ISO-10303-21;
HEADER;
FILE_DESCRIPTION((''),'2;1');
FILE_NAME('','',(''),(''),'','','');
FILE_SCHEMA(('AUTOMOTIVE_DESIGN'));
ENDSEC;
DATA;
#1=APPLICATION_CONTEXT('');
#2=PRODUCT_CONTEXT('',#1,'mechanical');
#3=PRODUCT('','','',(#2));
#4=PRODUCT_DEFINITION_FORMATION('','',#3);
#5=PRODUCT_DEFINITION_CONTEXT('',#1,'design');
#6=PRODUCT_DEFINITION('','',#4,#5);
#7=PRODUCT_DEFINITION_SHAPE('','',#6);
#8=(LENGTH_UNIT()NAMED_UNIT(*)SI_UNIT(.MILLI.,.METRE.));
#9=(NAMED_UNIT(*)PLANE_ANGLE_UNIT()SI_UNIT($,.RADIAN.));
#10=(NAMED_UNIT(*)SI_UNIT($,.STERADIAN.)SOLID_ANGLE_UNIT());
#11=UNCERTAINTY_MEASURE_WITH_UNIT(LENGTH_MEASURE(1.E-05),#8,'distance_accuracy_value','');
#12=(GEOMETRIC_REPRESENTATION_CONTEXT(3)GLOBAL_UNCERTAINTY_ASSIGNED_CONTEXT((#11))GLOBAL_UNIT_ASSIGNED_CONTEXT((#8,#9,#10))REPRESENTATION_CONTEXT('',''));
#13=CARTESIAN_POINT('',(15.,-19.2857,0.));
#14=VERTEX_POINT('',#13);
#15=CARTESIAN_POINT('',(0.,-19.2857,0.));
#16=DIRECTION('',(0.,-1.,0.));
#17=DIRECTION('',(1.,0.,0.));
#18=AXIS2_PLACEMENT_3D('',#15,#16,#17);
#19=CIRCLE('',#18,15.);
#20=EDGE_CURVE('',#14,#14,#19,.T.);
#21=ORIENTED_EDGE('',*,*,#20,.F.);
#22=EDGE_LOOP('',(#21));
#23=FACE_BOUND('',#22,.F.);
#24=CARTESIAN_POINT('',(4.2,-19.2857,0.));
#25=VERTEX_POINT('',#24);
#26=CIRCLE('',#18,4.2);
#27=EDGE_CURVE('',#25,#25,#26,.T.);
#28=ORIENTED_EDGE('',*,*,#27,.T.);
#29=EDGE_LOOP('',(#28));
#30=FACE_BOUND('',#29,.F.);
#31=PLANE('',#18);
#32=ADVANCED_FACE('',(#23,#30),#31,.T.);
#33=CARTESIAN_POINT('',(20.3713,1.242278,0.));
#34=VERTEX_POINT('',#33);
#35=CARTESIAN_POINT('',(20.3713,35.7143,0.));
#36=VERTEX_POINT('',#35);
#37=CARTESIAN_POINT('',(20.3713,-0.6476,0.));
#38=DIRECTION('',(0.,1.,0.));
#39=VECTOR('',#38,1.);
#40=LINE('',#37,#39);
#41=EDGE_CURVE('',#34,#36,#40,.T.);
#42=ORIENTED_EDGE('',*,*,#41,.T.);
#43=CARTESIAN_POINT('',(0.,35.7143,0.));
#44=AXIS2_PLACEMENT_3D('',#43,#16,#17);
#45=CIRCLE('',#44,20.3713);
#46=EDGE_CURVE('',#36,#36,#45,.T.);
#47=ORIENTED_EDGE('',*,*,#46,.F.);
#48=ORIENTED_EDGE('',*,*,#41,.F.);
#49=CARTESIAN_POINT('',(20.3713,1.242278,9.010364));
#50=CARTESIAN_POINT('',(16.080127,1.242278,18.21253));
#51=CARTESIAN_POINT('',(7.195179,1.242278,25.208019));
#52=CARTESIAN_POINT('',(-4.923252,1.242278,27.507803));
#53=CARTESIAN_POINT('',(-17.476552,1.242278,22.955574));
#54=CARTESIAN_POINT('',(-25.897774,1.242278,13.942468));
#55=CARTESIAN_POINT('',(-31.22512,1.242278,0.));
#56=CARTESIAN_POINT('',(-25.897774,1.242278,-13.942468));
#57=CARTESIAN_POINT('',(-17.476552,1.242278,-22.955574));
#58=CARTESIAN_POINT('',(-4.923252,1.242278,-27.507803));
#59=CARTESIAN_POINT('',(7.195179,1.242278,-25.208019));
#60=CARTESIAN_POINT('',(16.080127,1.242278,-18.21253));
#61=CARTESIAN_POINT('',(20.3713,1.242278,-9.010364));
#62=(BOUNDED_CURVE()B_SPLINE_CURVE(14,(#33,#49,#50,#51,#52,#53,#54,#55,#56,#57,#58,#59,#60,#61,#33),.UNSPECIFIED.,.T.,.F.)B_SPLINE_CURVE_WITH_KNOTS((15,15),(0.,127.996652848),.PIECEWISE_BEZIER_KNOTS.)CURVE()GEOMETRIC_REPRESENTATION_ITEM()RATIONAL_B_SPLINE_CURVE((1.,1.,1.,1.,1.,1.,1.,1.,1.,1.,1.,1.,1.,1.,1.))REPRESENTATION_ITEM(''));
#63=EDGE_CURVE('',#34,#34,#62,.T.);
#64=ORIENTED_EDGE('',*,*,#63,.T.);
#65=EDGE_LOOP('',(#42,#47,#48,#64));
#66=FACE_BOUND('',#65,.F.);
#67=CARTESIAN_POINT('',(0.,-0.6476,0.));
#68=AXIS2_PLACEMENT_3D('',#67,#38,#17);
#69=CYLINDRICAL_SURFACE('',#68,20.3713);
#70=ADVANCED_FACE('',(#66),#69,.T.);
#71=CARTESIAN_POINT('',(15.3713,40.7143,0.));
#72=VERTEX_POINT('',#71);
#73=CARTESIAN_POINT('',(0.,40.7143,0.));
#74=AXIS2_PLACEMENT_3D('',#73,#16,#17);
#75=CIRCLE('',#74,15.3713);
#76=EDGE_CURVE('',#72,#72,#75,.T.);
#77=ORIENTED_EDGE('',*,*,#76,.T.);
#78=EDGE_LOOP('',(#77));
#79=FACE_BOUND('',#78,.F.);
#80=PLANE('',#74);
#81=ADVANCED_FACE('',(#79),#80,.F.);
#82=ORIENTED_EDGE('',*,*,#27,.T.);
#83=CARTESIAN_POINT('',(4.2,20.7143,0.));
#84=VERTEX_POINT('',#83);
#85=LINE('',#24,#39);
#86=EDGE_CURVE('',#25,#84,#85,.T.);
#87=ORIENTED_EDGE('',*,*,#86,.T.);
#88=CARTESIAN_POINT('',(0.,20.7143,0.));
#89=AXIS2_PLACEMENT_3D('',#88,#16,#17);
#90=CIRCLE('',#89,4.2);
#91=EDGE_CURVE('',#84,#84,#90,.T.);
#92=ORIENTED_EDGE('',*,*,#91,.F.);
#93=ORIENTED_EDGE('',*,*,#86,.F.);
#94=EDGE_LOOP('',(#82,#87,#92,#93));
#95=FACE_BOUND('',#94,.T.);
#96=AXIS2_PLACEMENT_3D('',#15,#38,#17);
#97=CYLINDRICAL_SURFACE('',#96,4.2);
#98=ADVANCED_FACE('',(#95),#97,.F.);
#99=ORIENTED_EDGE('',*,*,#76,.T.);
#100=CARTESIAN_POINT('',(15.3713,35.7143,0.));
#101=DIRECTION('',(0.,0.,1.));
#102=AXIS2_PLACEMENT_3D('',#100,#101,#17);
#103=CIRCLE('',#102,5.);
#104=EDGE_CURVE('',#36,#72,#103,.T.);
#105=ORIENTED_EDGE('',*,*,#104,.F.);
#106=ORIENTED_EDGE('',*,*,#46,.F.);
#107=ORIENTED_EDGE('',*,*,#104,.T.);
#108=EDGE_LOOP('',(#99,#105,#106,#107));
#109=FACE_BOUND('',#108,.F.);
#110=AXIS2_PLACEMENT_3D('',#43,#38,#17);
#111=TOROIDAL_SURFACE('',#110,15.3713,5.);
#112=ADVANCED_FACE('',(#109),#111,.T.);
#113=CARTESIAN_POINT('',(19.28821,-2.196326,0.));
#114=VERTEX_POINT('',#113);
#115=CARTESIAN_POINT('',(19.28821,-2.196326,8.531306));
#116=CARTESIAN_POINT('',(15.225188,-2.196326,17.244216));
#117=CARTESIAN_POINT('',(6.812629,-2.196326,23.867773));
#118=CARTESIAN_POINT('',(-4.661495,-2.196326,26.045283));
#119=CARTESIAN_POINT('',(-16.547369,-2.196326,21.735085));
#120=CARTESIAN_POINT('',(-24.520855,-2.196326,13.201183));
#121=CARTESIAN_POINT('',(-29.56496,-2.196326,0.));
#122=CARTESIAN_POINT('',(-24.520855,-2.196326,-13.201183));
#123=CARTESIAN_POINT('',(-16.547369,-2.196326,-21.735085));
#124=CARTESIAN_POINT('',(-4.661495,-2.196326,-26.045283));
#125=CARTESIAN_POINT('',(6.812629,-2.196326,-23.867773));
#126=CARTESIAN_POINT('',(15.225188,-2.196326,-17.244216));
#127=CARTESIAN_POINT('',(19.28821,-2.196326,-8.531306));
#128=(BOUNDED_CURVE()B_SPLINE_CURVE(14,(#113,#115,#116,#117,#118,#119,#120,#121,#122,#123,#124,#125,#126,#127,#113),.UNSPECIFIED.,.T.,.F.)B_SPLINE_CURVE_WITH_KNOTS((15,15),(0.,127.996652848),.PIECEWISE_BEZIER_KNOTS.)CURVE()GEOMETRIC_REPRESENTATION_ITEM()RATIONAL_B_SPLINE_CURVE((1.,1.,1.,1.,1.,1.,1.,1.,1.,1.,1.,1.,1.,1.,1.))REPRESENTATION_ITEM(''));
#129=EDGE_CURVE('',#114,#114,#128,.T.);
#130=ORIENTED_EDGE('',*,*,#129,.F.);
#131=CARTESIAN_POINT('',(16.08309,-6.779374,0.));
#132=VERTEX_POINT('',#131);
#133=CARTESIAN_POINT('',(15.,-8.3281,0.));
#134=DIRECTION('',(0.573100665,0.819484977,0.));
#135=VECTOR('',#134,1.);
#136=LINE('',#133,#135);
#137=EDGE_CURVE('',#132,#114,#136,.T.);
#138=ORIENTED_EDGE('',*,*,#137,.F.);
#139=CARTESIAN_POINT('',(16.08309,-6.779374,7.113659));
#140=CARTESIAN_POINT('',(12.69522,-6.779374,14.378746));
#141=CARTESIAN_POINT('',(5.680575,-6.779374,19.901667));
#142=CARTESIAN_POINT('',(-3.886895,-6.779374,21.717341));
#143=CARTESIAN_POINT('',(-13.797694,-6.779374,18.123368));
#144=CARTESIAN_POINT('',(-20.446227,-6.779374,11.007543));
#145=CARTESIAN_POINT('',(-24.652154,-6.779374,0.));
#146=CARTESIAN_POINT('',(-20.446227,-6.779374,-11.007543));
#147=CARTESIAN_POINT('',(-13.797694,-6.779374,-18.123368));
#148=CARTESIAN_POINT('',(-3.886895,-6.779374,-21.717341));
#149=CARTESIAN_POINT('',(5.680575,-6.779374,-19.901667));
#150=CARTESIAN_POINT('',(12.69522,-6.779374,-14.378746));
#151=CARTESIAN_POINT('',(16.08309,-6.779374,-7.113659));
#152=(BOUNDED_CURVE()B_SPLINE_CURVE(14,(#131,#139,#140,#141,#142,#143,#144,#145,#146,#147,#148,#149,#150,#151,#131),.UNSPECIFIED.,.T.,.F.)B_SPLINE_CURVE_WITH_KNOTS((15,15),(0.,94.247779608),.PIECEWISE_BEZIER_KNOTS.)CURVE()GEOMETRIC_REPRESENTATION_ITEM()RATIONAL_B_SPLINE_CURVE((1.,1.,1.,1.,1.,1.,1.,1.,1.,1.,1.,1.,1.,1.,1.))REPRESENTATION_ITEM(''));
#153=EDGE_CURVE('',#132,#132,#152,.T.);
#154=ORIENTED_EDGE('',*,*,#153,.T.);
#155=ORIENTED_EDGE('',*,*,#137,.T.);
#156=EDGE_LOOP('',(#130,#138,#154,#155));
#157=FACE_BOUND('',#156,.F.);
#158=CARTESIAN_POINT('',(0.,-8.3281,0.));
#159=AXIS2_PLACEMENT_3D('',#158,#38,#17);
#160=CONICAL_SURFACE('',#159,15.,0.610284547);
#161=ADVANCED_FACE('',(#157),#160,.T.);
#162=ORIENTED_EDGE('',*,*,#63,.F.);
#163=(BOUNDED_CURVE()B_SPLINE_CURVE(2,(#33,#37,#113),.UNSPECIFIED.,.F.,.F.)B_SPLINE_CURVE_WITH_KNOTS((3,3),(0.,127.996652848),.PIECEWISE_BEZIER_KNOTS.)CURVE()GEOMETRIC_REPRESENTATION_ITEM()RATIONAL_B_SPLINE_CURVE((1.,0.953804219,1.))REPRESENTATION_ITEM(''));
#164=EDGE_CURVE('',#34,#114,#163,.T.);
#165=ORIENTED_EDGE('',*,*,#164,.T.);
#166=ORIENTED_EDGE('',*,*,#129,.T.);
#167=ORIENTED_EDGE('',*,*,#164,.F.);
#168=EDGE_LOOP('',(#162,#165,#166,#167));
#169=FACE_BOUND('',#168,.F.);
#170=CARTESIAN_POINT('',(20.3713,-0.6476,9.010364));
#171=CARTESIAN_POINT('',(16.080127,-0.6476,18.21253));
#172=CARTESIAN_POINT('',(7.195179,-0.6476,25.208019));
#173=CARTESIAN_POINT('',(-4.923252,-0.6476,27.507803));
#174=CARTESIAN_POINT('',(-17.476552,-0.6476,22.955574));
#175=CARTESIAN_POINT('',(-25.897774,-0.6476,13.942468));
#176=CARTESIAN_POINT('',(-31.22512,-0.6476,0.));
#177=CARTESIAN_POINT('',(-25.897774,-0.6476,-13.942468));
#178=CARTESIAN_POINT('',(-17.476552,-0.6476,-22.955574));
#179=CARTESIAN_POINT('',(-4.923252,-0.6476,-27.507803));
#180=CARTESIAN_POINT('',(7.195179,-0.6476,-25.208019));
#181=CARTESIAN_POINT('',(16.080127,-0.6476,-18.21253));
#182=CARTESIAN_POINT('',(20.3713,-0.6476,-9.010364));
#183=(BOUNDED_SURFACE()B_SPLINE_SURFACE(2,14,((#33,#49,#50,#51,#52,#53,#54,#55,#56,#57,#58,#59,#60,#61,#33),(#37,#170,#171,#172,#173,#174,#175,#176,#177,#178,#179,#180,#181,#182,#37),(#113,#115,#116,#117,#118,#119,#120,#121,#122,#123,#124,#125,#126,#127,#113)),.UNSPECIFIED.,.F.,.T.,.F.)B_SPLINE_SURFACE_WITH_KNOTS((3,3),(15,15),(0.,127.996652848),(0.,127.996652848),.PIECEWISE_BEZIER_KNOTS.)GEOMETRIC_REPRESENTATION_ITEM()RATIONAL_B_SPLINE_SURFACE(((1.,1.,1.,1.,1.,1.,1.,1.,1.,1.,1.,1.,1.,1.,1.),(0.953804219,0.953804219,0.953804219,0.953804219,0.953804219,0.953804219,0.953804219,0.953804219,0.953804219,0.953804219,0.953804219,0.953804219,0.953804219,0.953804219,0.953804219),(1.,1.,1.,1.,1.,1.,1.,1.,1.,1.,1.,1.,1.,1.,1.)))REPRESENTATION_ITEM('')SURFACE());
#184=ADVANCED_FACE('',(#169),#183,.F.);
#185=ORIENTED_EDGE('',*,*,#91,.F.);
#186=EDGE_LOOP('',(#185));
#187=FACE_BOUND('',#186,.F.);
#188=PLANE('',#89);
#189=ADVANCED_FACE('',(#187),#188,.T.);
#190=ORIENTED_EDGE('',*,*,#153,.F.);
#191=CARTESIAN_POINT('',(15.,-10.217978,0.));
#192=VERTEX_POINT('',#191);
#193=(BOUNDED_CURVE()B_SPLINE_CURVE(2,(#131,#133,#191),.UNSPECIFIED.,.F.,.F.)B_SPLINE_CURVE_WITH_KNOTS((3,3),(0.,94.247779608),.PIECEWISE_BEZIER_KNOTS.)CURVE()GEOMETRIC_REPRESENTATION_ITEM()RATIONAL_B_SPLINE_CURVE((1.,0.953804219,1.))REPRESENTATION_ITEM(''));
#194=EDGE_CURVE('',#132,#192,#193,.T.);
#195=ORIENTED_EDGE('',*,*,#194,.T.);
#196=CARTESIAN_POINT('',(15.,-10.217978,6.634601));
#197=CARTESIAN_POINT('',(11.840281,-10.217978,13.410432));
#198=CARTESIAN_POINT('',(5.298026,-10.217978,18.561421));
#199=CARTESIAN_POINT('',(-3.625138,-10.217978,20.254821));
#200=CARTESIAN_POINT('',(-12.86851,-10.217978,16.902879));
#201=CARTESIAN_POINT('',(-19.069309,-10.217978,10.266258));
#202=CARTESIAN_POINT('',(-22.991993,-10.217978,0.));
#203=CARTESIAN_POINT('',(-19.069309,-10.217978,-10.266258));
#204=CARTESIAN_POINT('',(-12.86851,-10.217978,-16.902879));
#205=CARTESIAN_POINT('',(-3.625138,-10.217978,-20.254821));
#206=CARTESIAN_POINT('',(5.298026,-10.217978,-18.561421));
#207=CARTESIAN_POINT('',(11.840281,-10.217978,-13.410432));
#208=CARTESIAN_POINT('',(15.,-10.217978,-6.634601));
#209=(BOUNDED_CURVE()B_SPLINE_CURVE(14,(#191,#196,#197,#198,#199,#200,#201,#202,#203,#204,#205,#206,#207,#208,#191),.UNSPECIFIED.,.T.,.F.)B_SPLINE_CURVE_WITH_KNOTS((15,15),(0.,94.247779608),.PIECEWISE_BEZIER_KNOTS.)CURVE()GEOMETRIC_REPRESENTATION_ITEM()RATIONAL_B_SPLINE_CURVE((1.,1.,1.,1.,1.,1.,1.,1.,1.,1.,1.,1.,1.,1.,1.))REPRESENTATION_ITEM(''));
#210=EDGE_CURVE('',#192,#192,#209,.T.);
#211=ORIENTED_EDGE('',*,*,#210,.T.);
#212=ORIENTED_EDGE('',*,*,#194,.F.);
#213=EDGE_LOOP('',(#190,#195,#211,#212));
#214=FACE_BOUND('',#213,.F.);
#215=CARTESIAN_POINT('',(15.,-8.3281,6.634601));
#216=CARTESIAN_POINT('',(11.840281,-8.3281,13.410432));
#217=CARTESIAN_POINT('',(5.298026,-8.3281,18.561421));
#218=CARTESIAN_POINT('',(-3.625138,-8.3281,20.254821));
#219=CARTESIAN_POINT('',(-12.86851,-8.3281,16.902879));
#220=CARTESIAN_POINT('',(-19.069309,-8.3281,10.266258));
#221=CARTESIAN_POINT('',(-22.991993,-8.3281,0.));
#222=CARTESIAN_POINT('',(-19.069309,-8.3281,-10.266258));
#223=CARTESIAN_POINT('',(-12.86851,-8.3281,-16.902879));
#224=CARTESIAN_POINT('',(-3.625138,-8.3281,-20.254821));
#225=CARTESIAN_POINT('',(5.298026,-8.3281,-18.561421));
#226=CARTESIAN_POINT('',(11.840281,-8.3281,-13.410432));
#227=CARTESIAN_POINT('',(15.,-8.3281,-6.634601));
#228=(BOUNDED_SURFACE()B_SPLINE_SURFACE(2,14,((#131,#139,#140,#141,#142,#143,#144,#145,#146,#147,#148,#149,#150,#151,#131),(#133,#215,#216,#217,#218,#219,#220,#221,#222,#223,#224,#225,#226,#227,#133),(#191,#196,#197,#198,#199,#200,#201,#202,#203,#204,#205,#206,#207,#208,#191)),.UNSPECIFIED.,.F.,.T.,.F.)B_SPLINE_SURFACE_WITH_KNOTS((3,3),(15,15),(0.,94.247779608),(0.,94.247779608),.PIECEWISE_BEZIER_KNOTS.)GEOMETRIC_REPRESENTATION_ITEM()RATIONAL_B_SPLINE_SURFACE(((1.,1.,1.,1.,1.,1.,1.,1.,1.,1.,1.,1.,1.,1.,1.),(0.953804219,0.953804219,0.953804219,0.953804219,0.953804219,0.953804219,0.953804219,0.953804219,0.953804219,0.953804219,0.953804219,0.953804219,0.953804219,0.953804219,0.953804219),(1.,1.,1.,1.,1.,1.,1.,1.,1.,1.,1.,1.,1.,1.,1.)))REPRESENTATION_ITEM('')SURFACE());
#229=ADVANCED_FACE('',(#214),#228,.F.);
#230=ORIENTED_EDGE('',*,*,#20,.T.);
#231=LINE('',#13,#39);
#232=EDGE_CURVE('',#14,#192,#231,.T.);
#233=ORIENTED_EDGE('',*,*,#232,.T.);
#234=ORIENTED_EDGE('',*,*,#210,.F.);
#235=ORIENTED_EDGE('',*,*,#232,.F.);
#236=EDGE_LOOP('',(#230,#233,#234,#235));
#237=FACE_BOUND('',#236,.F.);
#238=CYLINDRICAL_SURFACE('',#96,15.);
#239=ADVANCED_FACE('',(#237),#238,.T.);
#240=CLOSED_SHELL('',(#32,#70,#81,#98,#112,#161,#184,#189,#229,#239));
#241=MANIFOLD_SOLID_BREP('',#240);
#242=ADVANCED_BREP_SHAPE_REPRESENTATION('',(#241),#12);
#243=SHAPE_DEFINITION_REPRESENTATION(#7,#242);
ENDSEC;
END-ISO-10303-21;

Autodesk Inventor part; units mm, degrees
ref_plane "YZ Plane" through (0, 0, 0) normal (1, 0, 0) x (0, 1, 0)
ref_plane "XZ Plane" through (0, 0, 0) normal (0, 1, 0) x (-1, 0, 0)
ref_plane "XY Plane" through (0, 0, 0) normal (0, 0, 1) x (1, 0, 0)
sketch "Sketch2" plane through (0, 0, 0) normal (0, 0, 1) x (1, 0, 0)
  line L0 (4.2, -19.2857) -> (4.2, 20.7143)
  line L1 (4.2, -19.2857) -> (15, -19.2857)
  line L2 (15, -19.2857) -> (15, -8.3281)
  line L3 (15, -8.3281) -> (20.3713, -0.6476)
  line L4 (20.3713, -0.6476) -> (20.3713, 40.7143)
  line L5 (20.3713, 40.7143) -> (0, 40.7143)
  line L6 (0, 40.7143) -> (0, 20.7143)
  line L7 (0, 20.7143) -> (4.2, 20.7143)
  point P0 (0, 0)
  dimension "d3" = 4.2
  dimension "d4" = 10.8
  dimension "d5" = 60
  dimension "d6" = 20
revolve "Revolution1" add sketch "Sketch2" angle 360 about axis through (0, 40.7143, 0) along (0, -1, 0)
fillet "Fillet1" radius 6 2 edges at (-20.3713, -0.6476, 0) (-15, -8.3281, 0)
fillet "Fillet2" radius 5 1 edges at (-20.3713, 40.7143, 0)
properties part number "Top Knob"
